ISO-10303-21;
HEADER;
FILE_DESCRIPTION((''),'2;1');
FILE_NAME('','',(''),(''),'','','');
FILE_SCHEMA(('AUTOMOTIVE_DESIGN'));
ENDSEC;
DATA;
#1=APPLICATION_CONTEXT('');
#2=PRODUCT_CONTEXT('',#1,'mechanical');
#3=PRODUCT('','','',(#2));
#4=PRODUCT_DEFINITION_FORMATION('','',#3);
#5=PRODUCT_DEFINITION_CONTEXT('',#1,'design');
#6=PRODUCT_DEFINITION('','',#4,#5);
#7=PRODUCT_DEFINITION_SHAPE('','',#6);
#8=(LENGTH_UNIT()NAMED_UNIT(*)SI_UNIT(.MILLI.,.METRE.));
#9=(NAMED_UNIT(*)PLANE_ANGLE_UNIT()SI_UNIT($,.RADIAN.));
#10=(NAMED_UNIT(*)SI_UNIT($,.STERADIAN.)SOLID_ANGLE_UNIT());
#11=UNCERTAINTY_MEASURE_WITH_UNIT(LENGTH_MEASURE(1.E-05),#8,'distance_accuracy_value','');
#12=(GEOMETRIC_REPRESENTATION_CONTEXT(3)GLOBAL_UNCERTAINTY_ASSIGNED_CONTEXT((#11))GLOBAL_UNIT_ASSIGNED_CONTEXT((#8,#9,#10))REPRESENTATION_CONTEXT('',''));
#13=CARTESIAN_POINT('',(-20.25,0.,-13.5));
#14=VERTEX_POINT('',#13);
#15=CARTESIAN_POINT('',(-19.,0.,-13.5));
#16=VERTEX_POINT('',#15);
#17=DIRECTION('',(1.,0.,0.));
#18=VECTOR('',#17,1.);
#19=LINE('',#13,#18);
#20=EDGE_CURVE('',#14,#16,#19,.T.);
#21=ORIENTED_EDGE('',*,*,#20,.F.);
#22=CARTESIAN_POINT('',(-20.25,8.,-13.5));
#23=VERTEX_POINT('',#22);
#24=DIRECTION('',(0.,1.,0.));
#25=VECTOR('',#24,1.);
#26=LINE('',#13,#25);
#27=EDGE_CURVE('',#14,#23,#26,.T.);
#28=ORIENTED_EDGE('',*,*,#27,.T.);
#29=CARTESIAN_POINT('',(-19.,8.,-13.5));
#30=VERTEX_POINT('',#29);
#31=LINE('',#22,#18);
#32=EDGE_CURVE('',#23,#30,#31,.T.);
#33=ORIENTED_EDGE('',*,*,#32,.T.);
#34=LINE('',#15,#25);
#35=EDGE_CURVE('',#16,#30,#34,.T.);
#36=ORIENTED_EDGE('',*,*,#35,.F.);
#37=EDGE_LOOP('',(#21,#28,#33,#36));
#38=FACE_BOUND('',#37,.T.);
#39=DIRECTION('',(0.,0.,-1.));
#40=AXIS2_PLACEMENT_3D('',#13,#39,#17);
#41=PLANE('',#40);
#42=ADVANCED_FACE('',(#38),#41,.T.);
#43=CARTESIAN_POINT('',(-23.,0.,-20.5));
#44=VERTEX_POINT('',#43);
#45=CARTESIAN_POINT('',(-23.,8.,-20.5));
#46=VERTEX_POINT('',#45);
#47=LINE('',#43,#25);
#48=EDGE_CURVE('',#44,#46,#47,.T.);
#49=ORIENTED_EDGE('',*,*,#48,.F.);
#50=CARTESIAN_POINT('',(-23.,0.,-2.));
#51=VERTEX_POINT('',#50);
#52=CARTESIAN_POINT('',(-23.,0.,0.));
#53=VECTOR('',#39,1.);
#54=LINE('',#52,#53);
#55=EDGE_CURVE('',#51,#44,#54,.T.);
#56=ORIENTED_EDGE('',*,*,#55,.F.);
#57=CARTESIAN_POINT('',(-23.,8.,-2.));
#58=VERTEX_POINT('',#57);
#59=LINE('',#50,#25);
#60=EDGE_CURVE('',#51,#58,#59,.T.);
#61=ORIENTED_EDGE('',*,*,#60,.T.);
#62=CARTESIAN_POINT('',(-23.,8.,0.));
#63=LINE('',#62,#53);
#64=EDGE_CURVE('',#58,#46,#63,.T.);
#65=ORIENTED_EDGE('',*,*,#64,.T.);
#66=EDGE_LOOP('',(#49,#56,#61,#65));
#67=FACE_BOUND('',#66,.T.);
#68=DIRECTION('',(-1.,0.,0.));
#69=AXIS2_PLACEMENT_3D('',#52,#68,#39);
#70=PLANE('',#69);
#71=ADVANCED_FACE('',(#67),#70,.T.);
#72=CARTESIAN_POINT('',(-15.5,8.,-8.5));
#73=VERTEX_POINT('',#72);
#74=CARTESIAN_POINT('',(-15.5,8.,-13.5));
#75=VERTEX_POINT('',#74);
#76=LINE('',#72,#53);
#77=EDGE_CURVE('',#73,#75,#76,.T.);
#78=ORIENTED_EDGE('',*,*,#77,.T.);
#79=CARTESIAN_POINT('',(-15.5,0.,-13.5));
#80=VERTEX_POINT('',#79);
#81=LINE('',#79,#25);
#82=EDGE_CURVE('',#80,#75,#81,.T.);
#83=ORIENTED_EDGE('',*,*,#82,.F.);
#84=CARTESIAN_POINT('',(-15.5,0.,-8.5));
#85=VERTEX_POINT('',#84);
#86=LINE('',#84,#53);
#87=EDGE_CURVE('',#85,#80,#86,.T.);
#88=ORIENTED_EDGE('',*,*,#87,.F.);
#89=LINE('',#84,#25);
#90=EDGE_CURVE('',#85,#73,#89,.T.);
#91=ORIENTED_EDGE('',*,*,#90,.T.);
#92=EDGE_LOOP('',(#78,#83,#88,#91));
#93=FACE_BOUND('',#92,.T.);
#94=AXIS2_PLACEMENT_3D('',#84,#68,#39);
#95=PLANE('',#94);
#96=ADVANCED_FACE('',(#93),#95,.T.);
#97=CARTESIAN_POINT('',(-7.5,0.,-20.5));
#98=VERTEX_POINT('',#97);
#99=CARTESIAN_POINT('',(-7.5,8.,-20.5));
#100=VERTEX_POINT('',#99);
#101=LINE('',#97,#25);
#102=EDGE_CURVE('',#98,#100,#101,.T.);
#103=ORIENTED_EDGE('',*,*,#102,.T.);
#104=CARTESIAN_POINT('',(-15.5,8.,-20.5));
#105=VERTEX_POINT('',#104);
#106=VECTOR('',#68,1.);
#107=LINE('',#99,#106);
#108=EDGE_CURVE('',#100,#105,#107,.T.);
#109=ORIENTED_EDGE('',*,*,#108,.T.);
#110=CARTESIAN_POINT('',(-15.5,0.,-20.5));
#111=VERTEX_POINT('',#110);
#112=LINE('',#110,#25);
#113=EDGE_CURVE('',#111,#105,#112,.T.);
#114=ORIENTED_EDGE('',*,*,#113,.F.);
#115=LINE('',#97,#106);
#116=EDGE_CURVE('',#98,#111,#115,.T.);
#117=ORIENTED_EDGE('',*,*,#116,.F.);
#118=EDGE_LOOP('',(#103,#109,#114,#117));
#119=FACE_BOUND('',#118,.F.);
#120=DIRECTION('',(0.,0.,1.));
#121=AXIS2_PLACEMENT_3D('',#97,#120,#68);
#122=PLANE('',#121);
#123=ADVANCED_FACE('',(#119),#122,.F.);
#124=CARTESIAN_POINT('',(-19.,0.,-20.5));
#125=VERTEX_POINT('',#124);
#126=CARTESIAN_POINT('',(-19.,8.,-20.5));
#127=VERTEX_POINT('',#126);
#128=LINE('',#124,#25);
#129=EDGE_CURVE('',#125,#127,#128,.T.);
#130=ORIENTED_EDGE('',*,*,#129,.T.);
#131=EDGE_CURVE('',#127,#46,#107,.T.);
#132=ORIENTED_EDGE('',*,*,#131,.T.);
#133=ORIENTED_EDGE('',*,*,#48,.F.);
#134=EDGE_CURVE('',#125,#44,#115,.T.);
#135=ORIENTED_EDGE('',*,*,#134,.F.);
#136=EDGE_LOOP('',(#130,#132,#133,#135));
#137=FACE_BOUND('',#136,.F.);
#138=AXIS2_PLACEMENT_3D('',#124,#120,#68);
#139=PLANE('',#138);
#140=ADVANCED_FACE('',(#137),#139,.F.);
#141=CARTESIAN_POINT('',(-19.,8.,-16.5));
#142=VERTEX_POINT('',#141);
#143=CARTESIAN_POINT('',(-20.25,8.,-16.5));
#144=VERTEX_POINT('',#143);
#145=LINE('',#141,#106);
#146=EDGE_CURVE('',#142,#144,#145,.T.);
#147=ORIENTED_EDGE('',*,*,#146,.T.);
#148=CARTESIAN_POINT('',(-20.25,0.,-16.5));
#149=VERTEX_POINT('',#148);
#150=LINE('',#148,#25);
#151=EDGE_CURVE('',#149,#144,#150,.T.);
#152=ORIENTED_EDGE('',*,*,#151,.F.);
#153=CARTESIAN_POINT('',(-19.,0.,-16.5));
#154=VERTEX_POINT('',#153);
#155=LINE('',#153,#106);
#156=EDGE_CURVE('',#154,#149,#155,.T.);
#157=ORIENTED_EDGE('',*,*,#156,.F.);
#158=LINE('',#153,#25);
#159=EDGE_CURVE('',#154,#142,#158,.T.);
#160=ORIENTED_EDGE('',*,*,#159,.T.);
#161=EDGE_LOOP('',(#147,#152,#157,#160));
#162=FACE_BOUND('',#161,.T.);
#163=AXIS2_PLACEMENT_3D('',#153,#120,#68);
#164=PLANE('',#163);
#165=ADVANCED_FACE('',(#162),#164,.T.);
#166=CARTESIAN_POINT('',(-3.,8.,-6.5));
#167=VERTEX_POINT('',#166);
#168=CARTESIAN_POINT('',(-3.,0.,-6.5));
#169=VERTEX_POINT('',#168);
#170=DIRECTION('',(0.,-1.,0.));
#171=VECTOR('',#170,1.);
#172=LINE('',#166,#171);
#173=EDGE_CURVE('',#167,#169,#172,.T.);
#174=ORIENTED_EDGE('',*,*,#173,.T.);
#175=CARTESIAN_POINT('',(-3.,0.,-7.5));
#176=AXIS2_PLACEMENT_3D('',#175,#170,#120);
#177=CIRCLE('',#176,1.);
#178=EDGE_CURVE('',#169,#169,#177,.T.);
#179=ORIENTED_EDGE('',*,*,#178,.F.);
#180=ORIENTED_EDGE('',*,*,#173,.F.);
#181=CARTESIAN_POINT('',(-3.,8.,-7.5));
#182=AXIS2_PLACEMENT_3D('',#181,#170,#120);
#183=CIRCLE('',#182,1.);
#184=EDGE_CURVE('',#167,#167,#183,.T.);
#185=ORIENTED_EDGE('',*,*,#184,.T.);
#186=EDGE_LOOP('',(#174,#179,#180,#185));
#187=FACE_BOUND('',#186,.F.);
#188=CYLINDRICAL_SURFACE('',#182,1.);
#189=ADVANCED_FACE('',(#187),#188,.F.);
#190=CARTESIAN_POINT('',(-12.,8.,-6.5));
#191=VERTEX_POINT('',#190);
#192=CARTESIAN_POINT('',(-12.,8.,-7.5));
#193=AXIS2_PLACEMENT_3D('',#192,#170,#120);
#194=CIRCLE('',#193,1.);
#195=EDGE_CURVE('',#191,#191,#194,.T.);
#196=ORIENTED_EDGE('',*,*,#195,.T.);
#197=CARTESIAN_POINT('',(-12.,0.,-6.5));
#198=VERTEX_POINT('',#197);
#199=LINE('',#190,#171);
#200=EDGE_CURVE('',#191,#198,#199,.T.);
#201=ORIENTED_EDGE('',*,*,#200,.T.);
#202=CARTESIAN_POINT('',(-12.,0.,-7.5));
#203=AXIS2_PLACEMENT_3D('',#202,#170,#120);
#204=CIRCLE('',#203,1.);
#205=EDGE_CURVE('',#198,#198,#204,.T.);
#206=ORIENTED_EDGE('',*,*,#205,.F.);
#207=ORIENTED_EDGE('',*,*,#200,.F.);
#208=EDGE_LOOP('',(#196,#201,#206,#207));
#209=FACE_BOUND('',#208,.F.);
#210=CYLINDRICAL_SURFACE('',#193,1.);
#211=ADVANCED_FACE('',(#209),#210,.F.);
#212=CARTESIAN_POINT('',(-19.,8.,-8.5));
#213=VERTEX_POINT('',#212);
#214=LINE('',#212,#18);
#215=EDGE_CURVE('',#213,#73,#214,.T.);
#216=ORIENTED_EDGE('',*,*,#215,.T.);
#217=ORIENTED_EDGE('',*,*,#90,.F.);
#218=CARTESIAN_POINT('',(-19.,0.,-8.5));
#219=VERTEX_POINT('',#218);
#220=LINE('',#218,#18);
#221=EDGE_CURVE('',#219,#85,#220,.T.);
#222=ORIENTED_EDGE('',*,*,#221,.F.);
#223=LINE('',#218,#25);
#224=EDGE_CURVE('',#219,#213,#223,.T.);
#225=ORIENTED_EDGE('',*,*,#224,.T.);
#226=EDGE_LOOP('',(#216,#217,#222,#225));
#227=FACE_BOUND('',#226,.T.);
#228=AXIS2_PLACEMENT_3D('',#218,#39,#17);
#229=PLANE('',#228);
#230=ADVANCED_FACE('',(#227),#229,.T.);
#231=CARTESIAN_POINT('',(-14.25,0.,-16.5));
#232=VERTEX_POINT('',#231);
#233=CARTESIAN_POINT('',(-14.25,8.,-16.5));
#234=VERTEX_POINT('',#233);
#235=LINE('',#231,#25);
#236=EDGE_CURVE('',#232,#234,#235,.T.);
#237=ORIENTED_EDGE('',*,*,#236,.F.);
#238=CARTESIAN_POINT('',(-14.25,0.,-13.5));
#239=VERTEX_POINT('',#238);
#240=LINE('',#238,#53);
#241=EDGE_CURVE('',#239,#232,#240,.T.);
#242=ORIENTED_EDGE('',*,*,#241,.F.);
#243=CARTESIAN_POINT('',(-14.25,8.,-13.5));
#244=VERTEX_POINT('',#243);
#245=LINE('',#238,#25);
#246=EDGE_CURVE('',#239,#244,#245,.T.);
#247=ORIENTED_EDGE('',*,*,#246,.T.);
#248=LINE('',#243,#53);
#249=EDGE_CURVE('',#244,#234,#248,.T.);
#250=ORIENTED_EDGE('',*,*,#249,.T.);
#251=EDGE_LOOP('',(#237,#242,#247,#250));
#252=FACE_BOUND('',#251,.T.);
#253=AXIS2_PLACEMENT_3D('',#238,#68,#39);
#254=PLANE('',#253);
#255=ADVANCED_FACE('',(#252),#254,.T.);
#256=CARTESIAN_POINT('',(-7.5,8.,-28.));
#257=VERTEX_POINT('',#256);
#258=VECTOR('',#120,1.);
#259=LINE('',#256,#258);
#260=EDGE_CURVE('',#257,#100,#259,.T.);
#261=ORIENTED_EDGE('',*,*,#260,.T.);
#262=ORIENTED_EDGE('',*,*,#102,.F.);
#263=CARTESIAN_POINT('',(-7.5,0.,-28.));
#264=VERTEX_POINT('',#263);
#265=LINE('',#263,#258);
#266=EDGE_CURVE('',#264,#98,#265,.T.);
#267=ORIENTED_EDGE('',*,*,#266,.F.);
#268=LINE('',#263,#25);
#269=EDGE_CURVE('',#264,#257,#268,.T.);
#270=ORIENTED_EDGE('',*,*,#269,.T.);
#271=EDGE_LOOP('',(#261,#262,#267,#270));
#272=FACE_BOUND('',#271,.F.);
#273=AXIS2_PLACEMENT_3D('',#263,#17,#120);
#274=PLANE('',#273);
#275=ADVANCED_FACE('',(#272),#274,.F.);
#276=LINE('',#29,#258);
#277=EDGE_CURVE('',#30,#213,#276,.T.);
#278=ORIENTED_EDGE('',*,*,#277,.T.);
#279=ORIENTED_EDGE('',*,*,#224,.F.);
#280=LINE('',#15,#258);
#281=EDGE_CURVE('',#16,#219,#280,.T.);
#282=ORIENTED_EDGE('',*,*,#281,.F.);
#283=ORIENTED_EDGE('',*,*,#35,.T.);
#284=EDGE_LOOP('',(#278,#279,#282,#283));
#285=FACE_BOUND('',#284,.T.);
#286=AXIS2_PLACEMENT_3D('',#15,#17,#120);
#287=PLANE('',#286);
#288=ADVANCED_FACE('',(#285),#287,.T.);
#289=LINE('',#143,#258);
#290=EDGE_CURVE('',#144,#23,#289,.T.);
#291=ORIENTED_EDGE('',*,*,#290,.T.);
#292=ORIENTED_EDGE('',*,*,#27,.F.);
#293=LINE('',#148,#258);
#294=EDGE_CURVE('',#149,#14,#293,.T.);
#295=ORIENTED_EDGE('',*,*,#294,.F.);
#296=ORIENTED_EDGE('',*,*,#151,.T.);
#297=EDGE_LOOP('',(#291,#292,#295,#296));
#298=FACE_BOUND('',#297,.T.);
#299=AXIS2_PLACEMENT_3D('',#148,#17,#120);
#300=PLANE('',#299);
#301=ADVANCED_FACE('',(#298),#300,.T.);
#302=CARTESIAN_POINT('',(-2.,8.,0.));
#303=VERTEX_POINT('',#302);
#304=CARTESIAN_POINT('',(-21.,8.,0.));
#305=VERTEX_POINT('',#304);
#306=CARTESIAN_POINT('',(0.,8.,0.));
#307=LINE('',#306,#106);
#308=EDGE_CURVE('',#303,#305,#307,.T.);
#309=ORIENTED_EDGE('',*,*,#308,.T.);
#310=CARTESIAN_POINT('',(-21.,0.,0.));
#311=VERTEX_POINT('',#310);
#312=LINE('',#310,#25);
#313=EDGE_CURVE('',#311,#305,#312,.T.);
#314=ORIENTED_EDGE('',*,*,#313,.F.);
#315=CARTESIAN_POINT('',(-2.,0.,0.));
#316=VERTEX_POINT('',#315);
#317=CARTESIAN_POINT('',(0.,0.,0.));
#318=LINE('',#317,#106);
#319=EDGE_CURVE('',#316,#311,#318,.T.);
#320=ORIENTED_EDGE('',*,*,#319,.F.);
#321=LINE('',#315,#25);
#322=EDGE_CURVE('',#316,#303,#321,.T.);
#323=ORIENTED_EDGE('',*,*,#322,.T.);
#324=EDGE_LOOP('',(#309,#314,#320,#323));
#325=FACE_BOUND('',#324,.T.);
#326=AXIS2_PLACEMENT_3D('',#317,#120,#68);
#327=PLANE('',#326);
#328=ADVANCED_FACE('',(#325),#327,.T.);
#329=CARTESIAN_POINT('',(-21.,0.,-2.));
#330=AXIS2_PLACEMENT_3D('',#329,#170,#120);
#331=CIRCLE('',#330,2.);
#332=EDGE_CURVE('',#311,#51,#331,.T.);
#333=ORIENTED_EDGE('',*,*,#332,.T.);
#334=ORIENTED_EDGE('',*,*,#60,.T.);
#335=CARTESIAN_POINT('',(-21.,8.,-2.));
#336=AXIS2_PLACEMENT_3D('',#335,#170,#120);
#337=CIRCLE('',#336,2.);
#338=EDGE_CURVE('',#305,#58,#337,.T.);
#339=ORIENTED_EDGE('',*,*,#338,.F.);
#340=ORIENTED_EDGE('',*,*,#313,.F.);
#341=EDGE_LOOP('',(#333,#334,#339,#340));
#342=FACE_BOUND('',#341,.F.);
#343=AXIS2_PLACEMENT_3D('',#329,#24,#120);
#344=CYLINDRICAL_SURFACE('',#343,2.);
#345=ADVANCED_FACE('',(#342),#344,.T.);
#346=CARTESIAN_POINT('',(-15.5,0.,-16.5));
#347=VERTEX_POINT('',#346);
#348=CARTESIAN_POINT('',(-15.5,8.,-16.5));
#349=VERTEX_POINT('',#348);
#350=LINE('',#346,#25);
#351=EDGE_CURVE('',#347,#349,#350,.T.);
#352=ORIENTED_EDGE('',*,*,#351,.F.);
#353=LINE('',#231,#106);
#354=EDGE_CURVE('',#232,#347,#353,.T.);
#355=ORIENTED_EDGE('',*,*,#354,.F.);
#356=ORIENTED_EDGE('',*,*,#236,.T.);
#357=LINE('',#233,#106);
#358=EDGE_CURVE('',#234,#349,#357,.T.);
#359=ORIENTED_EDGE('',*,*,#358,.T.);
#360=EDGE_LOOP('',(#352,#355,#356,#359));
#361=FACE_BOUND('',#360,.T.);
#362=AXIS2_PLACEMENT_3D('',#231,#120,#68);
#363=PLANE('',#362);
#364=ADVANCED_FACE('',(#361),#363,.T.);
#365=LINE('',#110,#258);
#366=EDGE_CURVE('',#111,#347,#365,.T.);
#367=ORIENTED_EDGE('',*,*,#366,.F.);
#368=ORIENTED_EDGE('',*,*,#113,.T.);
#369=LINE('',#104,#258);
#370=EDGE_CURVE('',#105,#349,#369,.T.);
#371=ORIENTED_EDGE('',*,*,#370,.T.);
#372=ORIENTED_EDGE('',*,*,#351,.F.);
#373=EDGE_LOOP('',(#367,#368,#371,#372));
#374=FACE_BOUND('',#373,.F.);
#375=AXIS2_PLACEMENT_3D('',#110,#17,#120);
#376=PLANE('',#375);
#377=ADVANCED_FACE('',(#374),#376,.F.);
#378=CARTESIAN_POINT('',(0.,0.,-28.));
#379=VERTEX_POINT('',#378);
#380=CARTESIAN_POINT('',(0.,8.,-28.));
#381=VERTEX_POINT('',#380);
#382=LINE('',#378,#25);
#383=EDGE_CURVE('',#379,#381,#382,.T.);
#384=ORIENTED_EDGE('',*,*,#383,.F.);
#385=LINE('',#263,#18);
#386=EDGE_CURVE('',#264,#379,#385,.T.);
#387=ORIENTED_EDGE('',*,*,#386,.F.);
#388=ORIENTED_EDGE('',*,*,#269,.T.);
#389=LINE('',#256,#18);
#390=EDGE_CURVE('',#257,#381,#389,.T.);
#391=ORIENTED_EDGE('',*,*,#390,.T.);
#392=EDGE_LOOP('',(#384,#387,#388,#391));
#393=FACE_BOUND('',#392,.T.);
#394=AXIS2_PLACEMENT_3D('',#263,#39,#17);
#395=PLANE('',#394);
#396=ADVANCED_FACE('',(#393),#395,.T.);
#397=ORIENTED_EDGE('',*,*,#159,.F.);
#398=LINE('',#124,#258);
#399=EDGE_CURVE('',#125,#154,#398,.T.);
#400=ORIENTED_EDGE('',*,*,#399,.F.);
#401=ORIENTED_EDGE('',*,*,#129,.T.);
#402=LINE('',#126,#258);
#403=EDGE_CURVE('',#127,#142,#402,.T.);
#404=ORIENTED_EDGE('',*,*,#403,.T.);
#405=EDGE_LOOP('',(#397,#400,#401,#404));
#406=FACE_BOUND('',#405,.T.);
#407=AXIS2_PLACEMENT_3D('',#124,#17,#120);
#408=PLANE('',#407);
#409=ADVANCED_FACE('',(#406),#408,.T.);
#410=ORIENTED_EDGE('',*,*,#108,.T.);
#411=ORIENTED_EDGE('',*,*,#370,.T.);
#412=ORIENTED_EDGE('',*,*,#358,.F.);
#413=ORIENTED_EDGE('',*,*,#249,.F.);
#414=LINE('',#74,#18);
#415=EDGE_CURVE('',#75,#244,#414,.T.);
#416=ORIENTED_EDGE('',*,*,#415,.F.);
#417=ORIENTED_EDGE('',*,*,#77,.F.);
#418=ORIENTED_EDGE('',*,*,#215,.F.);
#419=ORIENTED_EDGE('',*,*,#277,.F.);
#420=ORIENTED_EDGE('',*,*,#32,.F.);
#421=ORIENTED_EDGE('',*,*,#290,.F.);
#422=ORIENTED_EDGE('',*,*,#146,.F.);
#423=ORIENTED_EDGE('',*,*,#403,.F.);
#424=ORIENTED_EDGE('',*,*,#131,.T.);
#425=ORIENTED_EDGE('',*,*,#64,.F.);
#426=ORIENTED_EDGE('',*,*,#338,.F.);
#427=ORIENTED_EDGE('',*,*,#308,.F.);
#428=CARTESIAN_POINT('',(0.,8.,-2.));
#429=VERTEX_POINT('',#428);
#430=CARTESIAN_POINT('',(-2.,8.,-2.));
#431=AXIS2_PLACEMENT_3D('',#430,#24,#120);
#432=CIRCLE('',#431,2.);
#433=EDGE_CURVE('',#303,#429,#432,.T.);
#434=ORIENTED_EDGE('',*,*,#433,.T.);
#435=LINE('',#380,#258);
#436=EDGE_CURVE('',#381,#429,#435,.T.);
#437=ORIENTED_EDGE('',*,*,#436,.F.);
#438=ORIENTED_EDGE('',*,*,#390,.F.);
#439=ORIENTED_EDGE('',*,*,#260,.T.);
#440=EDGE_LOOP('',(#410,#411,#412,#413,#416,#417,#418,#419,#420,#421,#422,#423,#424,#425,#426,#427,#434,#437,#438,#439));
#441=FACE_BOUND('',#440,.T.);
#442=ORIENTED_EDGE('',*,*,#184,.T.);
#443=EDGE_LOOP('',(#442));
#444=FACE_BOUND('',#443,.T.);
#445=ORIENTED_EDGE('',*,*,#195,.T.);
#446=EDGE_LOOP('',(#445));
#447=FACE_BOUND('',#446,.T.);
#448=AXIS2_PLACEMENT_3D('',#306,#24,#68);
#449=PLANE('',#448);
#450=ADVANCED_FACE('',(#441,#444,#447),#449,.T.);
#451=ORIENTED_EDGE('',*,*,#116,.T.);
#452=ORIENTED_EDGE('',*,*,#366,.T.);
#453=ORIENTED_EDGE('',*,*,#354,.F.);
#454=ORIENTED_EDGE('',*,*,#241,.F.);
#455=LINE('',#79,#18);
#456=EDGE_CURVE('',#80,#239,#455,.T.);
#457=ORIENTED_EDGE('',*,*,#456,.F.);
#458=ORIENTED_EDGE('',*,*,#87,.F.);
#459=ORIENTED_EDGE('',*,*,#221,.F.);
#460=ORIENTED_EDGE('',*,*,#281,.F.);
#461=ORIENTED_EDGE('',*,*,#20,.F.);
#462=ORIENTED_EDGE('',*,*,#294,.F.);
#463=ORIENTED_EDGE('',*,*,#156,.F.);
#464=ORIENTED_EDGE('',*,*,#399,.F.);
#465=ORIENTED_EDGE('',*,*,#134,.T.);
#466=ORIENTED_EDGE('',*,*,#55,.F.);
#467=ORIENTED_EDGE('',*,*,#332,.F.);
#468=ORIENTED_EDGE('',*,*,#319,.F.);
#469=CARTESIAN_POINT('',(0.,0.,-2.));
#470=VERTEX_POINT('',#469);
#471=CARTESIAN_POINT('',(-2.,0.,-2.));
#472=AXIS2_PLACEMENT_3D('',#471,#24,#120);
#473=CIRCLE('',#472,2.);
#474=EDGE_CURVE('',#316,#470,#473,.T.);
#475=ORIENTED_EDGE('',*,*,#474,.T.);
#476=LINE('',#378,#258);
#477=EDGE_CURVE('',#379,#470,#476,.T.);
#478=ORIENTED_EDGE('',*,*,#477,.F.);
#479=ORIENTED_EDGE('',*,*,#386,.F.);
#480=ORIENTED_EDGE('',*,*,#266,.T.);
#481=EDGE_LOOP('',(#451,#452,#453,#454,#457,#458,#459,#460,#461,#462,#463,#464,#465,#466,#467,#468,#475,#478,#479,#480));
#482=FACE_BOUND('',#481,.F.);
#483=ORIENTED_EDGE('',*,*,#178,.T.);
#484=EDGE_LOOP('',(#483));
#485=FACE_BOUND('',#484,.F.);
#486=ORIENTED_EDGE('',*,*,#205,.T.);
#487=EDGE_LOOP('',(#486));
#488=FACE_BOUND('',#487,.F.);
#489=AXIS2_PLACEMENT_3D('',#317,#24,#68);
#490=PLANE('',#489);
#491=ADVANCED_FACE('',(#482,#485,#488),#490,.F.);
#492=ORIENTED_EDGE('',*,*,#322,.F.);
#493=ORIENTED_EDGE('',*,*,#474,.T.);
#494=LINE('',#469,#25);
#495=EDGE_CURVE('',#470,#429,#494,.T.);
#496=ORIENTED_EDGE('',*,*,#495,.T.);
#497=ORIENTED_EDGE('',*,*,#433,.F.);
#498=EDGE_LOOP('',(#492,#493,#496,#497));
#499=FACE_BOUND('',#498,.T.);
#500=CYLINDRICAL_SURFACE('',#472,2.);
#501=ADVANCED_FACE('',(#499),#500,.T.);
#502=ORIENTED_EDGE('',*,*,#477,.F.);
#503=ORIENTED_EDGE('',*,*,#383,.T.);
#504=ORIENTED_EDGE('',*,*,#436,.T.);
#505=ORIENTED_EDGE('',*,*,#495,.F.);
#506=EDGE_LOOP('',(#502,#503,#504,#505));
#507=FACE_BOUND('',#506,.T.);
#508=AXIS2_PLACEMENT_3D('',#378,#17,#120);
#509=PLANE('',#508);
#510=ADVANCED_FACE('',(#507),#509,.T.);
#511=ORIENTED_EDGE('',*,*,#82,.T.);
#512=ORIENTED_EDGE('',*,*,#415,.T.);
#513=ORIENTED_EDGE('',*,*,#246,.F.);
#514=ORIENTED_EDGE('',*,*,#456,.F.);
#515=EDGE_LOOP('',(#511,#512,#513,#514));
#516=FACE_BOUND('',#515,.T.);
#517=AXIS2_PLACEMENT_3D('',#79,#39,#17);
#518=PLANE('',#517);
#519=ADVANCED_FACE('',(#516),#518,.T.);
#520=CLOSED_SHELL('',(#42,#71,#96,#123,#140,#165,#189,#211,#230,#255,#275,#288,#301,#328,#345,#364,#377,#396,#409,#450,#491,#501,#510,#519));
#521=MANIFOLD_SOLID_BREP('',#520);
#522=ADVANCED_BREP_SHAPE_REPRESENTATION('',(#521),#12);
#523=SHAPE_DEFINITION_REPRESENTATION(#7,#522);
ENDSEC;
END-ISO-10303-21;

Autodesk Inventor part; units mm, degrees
ref_plane "YZ Plane" through (0, 0, 0) normal (1, 0, 0) x (0, 1, 0)
sketch "Sketch1" plane through (0, 0, 0) normal (0, 1, 0) x (-1, 0, 0)
  line L0 (0, 0) -> (23, 0)
  line L1 (23, 0) -> (23, -20.5)
  line L2 (7.5, -28) -> (0, -28)
  line L3 (0, -28) -> (0, 0)
  line L4 (7.5, -28) -> (7.5, -20.5)
  line L5 (7.5, -20.5) -> (23, -20.5)
  line L6 (19, -20.5) -> (19, -16.5)
  line L7 (19, -16.5) -> (20.25, -16.5)
  line L8 (20.25, -16.5) -> (20.25, -13.5)
  line L9 (20.25, -13.5) -> (19, -13.5)
  line L10 (19, -13.5) -> (19, -8.5)
  line L11 (19, -8.5) -> (15.5, -8.5)
  line L12 (15.5, -8.5) -> (15.5, -13.5)
  line L13 (15.5, -13.5) -> (14.25, -13.5)
  line L14 (14.25, -13.5) -> (14.25, -16.5)
  line L15 (14.25, -16.5) -> (15.5, -16.5)
  line L16 (15.5, -20.5) -> (15.5, -16.5)
  line L17 (17.25, -8.5) -> (17.25, -20.5) construction
  dimension "d0" = 28
  dimension "d1" = 23
  dimension "d2" = 7.5
  dimension "d3" = 20.5
  dimension "d4" = 3.5
  dimension "d5" = 6
  dimension "d6" = 4
  dimension "d7" = 3
  dimension "d8" = 5
  dimension "d9" = 4
extrude "Extrusion1" add sketch "Sketch1" along normal blind 8 contours L0 L1 L5 L6 L7 L8 L9 L10 L11 L12 L13 L14 L15 L16 L4 L2 L3
sketch "Sketch2" plane through (0, 8, 0) normal (0, 1, 0) x (1, 0, 0)
  line L0 (0, 0) -> (0, 28) construction
  line L1 (0, 28) -> (-7.5, 28) construction
  line L2 (-7.5, 28) -> (-7.5, 20.5) construction
  line L3 (-7.5, 20.5) -> (-15.5, 20.5) construction
  line L4 (-15.5, 20.5) -> (-15.5, 16.5) construction
  line L5 (-15.5, 16.5) -> (-14.25, 16.5) construction
  line L6 (-14.25, 16.5) -> (-14.25, 13.5) construction
  line L7 (-14.25, 13.5) -> (-15.5, 13.5) construction
  line L8 (-15.5, 13.5) -> (-15.5, 8.5) construction
  line L9 (-15.5, 8.5) -> (-19, 8.5) construction
  line L10 (-19, 8.5) -> (-19, 13.5) construction
  line L11 (-19, 13.5) -> (-20.25, 13.5) construction
  line L12 (-20.25, 13.5) -> (-20.25, 16.5) construction
  line L13 (-20.25, 16.5) -> (-19, 16.5) construction
  line L14 (-19, 16.5) -> (-19, 20.5) construction
  line L15 (-19, 20.5) -> (-23, 20.5) construction
  line L16 (-23, 20.5) -> (-23, 0) construction
  line L17 (-23, 0) -> (0, 0) construction
  point P0 (-12, 7.5)
  point P1 (-3, 7.5)
  dimension "d12" = 7.5
  dimension "d13" = 3
  dimension "d14" = 9
hole "Hole1" at (-12, 8, -7.5) at (-3, 8, -7.5) direction (0, -1, 0) diameter 2 end through all
fillet "Fillet1" radius 2 2 edges at (-23, 4, 0) (0, 4, 0)
ref_plane "Work Plane1" through (0, 4, 0) normal (0, 1, 0) x (-1, 0, 0)
ref_plane "Work Plane2" through (-17.25, 0, -8.5) normal (1, 0, 0) x (0, 0, -1)
equation "\"d23\" = 0.5 * THICKNESS"
equation "\"THICKNESS\" = 8"
properties part number "A8-0018"
